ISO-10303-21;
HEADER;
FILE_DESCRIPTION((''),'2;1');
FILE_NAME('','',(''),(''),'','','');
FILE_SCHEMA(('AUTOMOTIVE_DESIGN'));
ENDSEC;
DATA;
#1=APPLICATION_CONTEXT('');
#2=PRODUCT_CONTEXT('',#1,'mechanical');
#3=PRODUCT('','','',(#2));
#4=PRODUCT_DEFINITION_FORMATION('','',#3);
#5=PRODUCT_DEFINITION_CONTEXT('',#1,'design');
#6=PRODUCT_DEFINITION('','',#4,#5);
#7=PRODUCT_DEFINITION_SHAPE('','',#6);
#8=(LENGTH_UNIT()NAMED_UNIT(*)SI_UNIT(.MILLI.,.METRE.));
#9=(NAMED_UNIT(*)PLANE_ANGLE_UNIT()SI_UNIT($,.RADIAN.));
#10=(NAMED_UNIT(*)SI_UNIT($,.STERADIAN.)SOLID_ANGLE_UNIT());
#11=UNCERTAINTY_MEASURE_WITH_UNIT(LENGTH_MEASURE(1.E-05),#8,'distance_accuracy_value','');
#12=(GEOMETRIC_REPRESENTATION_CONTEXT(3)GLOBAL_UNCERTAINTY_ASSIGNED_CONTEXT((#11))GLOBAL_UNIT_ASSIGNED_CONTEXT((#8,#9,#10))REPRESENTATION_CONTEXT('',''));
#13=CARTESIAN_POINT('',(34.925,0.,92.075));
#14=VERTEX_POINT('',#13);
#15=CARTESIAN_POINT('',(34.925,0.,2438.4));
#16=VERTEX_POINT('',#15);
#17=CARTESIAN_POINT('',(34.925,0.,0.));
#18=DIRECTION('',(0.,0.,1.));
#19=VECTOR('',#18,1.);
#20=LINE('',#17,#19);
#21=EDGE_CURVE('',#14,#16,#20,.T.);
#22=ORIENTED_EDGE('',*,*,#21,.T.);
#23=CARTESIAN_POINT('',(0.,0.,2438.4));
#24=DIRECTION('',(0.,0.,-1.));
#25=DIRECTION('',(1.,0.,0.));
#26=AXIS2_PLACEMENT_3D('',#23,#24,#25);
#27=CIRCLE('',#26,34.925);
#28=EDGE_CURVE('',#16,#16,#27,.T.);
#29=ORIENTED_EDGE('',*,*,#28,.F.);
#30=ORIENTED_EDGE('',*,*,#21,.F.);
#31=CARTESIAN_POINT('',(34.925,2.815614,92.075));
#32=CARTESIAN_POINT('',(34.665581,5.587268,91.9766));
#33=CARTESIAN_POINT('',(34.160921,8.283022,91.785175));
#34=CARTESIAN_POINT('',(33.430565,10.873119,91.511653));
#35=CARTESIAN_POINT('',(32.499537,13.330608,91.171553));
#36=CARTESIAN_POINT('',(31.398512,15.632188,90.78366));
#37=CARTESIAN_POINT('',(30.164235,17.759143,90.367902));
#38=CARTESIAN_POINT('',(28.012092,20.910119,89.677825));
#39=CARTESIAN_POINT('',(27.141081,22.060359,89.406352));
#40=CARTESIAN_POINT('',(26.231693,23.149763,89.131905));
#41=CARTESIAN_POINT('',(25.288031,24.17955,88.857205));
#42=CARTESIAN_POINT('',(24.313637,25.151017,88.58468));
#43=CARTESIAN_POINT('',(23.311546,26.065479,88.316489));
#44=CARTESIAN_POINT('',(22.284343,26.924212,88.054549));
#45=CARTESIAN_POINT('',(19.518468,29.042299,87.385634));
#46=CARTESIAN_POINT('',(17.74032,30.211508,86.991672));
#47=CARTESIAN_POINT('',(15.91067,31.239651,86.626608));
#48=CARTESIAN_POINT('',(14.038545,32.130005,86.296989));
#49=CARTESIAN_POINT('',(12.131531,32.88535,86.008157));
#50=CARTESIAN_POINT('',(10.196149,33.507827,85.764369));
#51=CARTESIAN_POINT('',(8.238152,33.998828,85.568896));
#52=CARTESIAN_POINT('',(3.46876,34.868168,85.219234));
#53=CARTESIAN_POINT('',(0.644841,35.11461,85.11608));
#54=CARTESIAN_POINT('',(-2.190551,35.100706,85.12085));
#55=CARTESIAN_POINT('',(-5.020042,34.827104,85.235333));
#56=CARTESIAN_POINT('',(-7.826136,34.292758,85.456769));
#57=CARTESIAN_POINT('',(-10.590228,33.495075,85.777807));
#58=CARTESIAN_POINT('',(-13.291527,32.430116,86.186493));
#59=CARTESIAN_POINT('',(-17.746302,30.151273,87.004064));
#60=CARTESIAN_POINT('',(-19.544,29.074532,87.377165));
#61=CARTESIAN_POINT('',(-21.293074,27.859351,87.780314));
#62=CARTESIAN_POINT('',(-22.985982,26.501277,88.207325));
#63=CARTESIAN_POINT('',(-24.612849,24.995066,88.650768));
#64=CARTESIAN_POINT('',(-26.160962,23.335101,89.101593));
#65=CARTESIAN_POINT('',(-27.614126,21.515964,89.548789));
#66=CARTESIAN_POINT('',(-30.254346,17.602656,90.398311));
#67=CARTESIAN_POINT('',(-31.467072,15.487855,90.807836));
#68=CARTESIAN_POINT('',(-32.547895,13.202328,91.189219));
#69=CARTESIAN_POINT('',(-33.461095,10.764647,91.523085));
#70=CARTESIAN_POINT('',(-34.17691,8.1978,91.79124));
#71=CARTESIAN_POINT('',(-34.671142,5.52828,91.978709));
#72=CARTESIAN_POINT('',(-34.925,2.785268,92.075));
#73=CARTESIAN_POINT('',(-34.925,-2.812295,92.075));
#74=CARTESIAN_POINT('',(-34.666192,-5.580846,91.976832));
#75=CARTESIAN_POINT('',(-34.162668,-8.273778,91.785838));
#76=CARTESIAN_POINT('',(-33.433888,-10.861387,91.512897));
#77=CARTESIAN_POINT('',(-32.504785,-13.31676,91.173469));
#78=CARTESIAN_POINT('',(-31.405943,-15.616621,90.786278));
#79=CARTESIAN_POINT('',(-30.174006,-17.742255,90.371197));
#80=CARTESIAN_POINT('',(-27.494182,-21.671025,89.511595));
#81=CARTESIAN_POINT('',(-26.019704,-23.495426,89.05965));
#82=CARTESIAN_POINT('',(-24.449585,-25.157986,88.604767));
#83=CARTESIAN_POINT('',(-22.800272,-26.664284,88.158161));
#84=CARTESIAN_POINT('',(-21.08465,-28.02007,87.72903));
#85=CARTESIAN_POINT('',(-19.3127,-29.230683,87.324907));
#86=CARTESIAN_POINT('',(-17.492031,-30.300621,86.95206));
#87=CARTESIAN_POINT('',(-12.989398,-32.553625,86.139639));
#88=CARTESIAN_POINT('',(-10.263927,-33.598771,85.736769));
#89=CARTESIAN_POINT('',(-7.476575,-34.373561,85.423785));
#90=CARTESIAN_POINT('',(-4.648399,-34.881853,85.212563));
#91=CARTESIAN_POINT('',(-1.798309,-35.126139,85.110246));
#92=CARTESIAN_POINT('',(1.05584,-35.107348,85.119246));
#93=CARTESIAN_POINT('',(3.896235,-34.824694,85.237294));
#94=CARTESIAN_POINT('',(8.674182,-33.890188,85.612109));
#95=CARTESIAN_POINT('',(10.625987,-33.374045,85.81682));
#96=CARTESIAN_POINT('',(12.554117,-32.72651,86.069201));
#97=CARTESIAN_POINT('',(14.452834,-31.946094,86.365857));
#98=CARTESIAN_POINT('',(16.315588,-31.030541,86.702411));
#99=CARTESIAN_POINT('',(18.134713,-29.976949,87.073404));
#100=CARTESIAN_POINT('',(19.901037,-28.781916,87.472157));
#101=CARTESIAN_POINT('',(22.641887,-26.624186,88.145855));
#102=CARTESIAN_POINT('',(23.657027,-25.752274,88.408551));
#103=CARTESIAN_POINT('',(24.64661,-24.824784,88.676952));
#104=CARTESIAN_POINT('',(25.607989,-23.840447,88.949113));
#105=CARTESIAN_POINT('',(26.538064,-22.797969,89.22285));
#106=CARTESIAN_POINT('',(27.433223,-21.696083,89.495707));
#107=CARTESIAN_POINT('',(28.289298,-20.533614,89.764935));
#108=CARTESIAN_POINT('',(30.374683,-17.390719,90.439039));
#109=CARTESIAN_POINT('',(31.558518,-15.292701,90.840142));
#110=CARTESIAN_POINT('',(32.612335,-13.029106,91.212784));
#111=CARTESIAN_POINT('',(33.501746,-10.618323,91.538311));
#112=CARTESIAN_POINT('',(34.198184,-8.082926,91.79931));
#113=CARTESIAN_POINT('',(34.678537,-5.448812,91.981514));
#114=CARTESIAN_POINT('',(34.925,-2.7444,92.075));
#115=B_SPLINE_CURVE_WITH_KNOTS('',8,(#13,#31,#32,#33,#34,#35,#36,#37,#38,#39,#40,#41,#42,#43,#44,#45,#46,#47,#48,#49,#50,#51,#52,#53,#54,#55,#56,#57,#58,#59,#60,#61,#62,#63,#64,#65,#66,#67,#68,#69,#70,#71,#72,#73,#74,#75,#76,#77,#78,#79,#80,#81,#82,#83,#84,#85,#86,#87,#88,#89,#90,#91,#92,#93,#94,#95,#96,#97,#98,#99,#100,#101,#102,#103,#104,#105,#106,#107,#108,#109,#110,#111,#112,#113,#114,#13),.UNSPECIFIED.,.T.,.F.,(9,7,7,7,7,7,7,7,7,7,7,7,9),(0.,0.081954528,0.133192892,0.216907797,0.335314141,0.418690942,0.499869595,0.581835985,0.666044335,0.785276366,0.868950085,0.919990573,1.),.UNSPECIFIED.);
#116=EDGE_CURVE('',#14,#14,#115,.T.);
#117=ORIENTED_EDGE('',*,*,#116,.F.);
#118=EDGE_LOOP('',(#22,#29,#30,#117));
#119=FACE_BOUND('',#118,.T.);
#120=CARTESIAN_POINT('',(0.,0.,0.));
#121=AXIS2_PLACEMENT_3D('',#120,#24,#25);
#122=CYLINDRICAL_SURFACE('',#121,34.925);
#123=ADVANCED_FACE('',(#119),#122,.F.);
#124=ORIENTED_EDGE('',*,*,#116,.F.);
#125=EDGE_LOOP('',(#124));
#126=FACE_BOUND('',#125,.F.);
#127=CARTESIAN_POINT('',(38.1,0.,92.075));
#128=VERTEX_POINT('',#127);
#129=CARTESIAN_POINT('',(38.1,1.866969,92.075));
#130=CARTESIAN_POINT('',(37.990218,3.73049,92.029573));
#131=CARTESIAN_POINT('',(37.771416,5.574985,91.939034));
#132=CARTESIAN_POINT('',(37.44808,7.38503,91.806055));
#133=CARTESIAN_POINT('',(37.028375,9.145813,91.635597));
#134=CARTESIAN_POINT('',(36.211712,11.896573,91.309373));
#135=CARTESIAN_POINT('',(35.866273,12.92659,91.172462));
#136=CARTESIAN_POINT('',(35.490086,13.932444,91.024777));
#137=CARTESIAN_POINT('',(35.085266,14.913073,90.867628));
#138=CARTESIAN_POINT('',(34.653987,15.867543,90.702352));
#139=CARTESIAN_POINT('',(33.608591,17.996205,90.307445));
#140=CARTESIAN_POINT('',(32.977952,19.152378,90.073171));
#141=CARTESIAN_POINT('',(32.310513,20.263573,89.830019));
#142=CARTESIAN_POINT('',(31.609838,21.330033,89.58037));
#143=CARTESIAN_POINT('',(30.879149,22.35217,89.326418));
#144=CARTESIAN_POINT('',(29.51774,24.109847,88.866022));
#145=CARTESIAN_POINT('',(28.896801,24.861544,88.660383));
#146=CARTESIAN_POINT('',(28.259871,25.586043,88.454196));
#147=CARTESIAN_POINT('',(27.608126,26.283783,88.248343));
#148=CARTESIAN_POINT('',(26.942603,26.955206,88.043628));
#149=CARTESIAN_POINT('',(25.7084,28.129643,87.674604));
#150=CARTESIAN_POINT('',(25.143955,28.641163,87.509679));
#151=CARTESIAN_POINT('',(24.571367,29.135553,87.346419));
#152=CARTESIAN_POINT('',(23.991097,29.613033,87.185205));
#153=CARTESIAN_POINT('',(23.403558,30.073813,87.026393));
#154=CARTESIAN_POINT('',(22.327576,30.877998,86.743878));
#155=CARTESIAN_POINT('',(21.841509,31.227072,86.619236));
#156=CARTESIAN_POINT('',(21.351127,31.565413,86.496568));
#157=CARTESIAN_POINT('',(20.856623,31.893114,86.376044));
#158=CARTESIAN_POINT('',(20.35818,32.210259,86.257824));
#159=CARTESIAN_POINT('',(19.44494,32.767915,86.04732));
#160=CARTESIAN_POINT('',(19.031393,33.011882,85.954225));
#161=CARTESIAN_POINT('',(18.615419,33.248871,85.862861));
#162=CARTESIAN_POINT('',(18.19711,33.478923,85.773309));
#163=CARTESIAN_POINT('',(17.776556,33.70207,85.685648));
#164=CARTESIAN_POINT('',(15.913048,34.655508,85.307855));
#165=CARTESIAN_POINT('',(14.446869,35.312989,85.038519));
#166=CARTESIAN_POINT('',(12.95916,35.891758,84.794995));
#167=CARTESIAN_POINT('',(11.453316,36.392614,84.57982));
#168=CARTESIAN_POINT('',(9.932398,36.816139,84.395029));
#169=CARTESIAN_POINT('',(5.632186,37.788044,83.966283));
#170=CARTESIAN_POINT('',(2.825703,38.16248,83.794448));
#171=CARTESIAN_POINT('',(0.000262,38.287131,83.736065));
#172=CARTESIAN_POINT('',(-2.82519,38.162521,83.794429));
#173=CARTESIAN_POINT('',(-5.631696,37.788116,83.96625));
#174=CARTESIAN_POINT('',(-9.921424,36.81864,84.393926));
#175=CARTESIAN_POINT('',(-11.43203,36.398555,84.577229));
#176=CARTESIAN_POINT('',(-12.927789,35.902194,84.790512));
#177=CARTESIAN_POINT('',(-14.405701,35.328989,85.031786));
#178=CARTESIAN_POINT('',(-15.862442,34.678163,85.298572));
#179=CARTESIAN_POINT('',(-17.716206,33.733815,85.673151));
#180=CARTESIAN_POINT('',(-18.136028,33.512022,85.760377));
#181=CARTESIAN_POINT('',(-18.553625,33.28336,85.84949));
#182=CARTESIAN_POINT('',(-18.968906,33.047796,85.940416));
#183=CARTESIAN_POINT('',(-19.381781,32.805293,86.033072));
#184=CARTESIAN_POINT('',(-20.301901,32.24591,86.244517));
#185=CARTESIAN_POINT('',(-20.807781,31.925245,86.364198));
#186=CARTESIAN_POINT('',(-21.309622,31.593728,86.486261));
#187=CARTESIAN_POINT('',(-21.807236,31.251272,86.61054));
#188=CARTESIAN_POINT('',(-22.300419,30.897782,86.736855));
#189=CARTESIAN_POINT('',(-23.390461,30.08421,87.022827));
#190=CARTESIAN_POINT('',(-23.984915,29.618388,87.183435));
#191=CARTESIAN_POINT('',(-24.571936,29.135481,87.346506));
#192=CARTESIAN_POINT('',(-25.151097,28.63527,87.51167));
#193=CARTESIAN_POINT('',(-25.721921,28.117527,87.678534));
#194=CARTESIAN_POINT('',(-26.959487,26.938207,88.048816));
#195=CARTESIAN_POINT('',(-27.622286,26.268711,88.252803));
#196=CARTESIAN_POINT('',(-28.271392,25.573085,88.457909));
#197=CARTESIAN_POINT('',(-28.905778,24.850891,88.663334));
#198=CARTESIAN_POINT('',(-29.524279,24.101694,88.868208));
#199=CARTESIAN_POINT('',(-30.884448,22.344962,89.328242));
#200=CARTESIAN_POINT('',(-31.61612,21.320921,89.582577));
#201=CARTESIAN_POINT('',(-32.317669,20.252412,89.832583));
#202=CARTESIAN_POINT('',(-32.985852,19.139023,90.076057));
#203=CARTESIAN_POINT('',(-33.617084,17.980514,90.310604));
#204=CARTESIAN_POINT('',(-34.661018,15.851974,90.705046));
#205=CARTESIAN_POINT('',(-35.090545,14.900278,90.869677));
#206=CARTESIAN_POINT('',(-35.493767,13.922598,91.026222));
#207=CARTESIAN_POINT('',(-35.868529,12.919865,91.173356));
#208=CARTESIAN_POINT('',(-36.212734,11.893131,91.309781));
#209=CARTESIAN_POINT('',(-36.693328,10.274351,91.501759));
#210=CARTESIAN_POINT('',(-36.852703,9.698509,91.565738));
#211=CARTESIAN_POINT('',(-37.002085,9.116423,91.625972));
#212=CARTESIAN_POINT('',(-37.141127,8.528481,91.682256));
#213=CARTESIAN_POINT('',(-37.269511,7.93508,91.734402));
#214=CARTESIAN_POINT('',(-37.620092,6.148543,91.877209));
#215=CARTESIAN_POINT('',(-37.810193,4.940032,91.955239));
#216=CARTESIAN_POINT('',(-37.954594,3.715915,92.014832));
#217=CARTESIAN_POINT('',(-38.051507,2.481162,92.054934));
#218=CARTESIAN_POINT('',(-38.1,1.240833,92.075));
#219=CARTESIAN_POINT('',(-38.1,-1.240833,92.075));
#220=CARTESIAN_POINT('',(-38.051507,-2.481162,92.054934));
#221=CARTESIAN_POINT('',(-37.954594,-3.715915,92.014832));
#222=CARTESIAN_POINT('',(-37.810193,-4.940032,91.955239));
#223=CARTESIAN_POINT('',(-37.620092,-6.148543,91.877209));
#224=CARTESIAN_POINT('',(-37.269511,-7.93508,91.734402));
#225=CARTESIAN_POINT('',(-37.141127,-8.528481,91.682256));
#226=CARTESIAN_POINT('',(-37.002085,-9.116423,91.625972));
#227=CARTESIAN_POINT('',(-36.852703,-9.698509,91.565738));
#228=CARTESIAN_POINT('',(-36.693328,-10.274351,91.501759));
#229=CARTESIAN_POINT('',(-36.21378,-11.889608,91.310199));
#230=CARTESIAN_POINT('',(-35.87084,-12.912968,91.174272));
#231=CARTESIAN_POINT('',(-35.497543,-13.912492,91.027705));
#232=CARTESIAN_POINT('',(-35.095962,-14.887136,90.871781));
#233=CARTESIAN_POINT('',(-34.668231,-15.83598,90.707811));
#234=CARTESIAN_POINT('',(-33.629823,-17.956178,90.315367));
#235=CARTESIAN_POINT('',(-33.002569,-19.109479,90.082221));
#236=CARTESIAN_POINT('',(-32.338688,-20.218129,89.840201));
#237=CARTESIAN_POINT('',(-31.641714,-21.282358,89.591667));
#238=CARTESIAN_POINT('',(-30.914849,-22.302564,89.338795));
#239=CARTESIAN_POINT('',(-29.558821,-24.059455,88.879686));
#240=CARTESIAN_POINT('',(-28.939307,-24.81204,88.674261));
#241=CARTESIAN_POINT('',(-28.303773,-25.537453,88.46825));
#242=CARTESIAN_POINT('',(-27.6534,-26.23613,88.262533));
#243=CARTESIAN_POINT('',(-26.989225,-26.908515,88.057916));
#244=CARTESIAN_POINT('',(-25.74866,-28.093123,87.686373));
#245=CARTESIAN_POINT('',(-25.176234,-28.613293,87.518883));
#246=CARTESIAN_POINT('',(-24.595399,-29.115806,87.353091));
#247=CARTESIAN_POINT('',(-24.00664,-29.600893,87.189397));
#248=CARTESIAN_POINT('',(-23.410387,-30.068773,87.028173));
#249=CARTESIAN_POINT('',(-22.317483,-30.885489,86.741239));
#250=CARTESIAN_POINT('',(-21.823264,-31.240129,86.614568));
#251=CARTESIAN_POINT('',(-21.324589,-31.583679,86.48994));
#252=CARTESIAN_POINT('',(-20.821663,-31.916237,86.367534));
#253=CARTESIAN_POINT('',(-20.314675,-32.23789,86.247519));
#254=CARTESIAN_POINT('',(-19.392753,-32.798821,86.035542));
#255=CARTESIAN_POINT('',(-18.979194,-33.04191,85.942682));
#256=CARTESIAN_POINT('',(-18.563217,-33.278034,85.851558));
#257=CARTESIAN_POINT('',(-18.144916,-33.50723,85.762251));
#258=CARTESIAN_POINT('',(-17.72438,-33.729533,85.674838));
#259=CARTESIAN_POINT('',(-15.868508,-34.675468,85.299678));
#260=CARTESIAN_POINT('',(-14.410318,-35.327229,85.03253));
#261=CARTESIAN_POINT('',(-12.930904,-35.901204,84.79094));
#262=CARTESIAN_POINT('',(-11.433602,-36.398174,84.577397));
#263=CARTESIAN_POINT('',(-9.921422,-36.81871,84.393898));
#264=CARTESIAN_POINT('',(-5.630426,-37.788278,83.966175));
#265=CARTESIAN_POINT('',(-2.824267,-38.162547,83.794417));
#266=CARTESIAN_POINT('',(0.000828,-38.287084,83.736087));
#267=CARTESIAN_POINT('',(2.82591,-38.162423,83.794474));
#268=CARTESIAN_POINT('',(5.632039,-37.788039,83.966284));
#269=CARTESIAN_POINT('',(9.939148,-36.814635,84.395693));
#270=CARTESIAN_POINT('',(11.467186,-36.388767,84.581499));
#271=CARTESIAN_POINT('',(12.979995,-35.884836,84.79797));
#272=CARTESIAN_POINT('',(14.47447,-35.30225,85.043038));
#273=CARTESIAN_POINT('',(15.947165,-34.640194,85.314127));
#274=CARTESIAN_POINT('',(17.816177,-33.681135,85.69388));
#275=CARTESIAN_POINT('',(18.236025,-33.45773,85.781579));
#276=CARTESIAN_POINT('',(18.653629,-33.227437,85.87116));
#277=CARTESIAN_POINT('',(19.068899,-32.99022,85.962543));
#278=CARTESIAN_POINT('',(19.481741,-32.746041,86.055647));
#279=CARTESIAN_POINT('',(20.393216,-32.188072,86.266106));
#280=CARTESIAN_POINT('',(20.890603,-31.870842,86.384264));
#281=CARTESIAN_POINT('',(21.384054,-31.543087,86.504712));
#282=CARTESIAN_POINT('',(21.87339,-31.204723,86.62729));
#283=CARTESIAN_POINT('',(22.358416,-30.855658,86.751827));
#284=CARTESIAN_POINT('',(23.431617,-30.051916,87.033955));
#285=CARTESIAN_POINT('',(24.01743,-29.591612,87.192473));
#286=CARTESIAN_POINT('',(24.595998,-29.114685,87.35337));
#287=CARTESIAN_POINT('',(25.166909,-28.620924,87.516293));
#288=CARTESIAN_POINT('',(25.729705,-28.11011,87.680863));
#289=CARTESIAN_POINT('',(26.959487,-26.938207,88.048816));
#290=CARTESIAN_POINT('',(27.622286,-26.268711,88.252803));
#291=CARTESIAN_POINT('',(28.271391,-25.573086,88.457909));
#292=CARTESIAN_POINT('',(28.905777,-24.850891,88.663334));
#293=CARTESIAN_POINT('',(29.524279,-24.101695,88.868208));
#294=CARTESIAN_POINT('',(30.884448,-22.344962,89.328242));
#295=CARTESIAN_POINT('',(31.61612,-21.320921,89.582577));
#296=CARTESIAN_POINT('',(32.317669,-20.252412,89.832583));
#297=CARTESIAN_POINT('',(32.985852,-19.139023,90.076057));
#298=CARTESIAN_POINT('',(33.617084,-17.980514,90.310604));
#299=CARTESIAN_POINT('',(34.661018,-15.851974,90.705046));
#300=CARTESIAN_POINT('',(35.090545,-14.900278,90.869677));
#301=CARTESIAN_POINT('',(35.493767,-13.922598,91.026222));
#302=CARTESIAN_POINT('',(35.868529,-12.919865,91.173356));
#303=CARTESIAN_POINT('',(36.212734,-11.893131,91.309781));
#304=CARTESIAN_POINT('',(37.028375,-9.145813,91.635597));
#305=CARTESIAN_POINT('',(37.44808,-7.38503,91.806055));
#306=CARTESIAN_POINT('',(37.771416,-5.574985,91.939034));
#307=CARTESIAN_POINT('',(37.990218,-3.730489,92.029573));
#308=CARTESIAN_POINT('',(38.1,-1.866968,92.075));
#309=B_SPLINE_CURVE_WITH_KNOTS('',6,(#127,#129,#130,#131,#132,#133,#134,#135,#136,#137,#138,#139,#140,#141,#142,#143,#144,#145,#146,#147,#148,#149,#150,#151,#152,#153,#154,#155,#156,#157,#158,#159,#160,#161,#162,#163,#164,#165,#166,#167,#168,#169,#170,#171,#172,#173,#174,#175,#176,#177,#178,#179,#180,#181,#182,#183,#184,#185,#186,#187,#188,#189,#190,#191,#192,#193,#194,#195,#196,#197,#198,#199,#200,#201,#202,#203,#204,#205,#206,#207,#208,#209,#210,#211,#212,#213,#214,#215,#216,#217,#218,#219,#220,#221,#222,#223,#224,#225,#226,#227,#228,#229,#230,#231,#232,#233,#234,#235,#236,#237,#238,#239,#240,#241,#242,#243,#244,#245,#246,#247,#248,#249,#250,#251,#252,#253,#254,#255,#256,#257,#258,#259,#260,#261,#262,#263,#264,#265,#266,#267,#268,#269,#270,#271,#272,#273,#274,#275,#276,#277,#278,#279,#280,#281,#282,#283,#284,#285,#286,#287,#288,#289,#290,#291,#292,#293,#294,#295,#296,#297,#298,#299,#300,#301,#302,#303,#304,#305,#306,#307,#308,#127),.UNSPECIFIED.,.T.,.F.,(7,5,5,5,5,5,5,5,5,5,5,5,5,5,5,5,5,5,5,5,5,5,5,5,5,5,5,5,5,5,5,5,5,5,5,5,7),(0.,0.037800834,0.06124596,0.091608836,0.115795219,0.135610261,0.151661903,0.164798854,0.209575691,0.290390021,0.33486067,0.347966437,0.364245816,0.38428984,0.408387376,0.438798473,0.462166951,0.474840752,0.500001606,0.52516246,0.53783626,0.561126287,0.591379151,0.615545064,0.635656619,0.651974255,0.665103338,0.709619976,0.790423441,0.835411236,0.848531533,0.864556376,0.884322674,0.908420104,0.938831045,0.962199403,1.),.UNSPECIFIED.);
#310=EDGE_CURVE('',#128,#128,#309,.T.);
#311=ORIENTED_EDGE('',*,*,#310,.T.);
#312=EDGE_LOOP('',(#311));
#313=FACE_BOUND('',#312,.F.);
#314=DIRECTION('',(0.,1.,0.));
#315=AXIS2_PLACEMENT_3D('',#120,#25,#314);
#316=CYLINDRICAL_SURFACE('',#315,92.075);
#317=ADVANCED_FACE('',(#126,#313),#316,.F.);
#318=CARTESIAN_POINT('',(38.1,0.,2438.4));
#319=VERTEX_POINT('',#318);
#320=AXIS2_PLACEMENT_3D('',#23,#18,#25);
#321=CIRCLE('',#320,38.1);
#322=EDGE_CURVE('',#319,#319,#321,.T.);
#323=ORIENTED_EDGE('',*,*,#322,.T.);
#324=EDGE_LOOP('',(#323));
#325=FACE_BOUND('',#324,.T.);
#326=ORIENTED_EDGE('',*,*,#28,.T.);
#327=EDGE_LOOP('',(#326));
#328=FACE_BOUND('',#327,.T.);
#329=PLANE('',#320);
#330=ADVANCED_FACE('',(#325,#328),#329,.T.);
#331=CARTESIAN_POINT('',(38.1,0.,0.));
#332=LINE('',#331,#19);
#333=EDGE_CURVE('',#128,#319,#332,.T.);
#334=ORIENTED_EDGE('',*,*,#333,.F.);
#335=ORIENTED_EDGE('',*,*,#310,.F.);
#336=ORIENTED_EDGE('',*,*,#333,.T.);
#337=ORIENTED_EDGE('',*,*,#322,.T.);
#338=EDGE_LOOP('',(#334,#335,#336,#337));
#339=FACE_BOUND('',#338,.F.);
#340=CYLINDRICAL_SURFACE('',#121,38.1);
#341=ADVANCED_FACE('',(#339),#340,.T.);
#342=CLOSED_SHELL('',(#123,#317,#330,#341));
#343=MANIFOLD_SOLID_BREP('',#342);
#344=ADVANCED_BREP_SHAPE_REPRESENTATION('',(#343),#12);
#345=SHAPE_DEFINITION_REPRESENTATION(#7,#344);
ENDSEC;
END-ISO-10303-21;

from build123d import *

# Parameters (mm, degrees)
F0_R     = 38.1
F1_DEPTH = 2438.4
F2_R     = 34.925
F3_DEPTH = 2438.401
F4_R     = 92.075
F5_DEPTH = 76.2


with BuildPart() as f1:
    # F0 (on Top) → F1 (new body)
    with BuildSketch(Plane.XY):
        Circle(F0_R)
    extrude(amount=F1_DEPTH)

    # F2 (on Top) → F3 (cut, through all)
    with BuildSketch(Plane.XY):
        Circle(F2_R)
    extrude(amount=F3_DEPTH, mode=Mode.SUBTRACT)

    # F4 (on Right) → F5 (cut, symmetric)
    with BuildSketch(Plane.YZ):
        Circle(F4_R)
    extrude(amount=F5_DEPTH, both=True, mode=Mode.SUBTRACT)


solid = f1.part
